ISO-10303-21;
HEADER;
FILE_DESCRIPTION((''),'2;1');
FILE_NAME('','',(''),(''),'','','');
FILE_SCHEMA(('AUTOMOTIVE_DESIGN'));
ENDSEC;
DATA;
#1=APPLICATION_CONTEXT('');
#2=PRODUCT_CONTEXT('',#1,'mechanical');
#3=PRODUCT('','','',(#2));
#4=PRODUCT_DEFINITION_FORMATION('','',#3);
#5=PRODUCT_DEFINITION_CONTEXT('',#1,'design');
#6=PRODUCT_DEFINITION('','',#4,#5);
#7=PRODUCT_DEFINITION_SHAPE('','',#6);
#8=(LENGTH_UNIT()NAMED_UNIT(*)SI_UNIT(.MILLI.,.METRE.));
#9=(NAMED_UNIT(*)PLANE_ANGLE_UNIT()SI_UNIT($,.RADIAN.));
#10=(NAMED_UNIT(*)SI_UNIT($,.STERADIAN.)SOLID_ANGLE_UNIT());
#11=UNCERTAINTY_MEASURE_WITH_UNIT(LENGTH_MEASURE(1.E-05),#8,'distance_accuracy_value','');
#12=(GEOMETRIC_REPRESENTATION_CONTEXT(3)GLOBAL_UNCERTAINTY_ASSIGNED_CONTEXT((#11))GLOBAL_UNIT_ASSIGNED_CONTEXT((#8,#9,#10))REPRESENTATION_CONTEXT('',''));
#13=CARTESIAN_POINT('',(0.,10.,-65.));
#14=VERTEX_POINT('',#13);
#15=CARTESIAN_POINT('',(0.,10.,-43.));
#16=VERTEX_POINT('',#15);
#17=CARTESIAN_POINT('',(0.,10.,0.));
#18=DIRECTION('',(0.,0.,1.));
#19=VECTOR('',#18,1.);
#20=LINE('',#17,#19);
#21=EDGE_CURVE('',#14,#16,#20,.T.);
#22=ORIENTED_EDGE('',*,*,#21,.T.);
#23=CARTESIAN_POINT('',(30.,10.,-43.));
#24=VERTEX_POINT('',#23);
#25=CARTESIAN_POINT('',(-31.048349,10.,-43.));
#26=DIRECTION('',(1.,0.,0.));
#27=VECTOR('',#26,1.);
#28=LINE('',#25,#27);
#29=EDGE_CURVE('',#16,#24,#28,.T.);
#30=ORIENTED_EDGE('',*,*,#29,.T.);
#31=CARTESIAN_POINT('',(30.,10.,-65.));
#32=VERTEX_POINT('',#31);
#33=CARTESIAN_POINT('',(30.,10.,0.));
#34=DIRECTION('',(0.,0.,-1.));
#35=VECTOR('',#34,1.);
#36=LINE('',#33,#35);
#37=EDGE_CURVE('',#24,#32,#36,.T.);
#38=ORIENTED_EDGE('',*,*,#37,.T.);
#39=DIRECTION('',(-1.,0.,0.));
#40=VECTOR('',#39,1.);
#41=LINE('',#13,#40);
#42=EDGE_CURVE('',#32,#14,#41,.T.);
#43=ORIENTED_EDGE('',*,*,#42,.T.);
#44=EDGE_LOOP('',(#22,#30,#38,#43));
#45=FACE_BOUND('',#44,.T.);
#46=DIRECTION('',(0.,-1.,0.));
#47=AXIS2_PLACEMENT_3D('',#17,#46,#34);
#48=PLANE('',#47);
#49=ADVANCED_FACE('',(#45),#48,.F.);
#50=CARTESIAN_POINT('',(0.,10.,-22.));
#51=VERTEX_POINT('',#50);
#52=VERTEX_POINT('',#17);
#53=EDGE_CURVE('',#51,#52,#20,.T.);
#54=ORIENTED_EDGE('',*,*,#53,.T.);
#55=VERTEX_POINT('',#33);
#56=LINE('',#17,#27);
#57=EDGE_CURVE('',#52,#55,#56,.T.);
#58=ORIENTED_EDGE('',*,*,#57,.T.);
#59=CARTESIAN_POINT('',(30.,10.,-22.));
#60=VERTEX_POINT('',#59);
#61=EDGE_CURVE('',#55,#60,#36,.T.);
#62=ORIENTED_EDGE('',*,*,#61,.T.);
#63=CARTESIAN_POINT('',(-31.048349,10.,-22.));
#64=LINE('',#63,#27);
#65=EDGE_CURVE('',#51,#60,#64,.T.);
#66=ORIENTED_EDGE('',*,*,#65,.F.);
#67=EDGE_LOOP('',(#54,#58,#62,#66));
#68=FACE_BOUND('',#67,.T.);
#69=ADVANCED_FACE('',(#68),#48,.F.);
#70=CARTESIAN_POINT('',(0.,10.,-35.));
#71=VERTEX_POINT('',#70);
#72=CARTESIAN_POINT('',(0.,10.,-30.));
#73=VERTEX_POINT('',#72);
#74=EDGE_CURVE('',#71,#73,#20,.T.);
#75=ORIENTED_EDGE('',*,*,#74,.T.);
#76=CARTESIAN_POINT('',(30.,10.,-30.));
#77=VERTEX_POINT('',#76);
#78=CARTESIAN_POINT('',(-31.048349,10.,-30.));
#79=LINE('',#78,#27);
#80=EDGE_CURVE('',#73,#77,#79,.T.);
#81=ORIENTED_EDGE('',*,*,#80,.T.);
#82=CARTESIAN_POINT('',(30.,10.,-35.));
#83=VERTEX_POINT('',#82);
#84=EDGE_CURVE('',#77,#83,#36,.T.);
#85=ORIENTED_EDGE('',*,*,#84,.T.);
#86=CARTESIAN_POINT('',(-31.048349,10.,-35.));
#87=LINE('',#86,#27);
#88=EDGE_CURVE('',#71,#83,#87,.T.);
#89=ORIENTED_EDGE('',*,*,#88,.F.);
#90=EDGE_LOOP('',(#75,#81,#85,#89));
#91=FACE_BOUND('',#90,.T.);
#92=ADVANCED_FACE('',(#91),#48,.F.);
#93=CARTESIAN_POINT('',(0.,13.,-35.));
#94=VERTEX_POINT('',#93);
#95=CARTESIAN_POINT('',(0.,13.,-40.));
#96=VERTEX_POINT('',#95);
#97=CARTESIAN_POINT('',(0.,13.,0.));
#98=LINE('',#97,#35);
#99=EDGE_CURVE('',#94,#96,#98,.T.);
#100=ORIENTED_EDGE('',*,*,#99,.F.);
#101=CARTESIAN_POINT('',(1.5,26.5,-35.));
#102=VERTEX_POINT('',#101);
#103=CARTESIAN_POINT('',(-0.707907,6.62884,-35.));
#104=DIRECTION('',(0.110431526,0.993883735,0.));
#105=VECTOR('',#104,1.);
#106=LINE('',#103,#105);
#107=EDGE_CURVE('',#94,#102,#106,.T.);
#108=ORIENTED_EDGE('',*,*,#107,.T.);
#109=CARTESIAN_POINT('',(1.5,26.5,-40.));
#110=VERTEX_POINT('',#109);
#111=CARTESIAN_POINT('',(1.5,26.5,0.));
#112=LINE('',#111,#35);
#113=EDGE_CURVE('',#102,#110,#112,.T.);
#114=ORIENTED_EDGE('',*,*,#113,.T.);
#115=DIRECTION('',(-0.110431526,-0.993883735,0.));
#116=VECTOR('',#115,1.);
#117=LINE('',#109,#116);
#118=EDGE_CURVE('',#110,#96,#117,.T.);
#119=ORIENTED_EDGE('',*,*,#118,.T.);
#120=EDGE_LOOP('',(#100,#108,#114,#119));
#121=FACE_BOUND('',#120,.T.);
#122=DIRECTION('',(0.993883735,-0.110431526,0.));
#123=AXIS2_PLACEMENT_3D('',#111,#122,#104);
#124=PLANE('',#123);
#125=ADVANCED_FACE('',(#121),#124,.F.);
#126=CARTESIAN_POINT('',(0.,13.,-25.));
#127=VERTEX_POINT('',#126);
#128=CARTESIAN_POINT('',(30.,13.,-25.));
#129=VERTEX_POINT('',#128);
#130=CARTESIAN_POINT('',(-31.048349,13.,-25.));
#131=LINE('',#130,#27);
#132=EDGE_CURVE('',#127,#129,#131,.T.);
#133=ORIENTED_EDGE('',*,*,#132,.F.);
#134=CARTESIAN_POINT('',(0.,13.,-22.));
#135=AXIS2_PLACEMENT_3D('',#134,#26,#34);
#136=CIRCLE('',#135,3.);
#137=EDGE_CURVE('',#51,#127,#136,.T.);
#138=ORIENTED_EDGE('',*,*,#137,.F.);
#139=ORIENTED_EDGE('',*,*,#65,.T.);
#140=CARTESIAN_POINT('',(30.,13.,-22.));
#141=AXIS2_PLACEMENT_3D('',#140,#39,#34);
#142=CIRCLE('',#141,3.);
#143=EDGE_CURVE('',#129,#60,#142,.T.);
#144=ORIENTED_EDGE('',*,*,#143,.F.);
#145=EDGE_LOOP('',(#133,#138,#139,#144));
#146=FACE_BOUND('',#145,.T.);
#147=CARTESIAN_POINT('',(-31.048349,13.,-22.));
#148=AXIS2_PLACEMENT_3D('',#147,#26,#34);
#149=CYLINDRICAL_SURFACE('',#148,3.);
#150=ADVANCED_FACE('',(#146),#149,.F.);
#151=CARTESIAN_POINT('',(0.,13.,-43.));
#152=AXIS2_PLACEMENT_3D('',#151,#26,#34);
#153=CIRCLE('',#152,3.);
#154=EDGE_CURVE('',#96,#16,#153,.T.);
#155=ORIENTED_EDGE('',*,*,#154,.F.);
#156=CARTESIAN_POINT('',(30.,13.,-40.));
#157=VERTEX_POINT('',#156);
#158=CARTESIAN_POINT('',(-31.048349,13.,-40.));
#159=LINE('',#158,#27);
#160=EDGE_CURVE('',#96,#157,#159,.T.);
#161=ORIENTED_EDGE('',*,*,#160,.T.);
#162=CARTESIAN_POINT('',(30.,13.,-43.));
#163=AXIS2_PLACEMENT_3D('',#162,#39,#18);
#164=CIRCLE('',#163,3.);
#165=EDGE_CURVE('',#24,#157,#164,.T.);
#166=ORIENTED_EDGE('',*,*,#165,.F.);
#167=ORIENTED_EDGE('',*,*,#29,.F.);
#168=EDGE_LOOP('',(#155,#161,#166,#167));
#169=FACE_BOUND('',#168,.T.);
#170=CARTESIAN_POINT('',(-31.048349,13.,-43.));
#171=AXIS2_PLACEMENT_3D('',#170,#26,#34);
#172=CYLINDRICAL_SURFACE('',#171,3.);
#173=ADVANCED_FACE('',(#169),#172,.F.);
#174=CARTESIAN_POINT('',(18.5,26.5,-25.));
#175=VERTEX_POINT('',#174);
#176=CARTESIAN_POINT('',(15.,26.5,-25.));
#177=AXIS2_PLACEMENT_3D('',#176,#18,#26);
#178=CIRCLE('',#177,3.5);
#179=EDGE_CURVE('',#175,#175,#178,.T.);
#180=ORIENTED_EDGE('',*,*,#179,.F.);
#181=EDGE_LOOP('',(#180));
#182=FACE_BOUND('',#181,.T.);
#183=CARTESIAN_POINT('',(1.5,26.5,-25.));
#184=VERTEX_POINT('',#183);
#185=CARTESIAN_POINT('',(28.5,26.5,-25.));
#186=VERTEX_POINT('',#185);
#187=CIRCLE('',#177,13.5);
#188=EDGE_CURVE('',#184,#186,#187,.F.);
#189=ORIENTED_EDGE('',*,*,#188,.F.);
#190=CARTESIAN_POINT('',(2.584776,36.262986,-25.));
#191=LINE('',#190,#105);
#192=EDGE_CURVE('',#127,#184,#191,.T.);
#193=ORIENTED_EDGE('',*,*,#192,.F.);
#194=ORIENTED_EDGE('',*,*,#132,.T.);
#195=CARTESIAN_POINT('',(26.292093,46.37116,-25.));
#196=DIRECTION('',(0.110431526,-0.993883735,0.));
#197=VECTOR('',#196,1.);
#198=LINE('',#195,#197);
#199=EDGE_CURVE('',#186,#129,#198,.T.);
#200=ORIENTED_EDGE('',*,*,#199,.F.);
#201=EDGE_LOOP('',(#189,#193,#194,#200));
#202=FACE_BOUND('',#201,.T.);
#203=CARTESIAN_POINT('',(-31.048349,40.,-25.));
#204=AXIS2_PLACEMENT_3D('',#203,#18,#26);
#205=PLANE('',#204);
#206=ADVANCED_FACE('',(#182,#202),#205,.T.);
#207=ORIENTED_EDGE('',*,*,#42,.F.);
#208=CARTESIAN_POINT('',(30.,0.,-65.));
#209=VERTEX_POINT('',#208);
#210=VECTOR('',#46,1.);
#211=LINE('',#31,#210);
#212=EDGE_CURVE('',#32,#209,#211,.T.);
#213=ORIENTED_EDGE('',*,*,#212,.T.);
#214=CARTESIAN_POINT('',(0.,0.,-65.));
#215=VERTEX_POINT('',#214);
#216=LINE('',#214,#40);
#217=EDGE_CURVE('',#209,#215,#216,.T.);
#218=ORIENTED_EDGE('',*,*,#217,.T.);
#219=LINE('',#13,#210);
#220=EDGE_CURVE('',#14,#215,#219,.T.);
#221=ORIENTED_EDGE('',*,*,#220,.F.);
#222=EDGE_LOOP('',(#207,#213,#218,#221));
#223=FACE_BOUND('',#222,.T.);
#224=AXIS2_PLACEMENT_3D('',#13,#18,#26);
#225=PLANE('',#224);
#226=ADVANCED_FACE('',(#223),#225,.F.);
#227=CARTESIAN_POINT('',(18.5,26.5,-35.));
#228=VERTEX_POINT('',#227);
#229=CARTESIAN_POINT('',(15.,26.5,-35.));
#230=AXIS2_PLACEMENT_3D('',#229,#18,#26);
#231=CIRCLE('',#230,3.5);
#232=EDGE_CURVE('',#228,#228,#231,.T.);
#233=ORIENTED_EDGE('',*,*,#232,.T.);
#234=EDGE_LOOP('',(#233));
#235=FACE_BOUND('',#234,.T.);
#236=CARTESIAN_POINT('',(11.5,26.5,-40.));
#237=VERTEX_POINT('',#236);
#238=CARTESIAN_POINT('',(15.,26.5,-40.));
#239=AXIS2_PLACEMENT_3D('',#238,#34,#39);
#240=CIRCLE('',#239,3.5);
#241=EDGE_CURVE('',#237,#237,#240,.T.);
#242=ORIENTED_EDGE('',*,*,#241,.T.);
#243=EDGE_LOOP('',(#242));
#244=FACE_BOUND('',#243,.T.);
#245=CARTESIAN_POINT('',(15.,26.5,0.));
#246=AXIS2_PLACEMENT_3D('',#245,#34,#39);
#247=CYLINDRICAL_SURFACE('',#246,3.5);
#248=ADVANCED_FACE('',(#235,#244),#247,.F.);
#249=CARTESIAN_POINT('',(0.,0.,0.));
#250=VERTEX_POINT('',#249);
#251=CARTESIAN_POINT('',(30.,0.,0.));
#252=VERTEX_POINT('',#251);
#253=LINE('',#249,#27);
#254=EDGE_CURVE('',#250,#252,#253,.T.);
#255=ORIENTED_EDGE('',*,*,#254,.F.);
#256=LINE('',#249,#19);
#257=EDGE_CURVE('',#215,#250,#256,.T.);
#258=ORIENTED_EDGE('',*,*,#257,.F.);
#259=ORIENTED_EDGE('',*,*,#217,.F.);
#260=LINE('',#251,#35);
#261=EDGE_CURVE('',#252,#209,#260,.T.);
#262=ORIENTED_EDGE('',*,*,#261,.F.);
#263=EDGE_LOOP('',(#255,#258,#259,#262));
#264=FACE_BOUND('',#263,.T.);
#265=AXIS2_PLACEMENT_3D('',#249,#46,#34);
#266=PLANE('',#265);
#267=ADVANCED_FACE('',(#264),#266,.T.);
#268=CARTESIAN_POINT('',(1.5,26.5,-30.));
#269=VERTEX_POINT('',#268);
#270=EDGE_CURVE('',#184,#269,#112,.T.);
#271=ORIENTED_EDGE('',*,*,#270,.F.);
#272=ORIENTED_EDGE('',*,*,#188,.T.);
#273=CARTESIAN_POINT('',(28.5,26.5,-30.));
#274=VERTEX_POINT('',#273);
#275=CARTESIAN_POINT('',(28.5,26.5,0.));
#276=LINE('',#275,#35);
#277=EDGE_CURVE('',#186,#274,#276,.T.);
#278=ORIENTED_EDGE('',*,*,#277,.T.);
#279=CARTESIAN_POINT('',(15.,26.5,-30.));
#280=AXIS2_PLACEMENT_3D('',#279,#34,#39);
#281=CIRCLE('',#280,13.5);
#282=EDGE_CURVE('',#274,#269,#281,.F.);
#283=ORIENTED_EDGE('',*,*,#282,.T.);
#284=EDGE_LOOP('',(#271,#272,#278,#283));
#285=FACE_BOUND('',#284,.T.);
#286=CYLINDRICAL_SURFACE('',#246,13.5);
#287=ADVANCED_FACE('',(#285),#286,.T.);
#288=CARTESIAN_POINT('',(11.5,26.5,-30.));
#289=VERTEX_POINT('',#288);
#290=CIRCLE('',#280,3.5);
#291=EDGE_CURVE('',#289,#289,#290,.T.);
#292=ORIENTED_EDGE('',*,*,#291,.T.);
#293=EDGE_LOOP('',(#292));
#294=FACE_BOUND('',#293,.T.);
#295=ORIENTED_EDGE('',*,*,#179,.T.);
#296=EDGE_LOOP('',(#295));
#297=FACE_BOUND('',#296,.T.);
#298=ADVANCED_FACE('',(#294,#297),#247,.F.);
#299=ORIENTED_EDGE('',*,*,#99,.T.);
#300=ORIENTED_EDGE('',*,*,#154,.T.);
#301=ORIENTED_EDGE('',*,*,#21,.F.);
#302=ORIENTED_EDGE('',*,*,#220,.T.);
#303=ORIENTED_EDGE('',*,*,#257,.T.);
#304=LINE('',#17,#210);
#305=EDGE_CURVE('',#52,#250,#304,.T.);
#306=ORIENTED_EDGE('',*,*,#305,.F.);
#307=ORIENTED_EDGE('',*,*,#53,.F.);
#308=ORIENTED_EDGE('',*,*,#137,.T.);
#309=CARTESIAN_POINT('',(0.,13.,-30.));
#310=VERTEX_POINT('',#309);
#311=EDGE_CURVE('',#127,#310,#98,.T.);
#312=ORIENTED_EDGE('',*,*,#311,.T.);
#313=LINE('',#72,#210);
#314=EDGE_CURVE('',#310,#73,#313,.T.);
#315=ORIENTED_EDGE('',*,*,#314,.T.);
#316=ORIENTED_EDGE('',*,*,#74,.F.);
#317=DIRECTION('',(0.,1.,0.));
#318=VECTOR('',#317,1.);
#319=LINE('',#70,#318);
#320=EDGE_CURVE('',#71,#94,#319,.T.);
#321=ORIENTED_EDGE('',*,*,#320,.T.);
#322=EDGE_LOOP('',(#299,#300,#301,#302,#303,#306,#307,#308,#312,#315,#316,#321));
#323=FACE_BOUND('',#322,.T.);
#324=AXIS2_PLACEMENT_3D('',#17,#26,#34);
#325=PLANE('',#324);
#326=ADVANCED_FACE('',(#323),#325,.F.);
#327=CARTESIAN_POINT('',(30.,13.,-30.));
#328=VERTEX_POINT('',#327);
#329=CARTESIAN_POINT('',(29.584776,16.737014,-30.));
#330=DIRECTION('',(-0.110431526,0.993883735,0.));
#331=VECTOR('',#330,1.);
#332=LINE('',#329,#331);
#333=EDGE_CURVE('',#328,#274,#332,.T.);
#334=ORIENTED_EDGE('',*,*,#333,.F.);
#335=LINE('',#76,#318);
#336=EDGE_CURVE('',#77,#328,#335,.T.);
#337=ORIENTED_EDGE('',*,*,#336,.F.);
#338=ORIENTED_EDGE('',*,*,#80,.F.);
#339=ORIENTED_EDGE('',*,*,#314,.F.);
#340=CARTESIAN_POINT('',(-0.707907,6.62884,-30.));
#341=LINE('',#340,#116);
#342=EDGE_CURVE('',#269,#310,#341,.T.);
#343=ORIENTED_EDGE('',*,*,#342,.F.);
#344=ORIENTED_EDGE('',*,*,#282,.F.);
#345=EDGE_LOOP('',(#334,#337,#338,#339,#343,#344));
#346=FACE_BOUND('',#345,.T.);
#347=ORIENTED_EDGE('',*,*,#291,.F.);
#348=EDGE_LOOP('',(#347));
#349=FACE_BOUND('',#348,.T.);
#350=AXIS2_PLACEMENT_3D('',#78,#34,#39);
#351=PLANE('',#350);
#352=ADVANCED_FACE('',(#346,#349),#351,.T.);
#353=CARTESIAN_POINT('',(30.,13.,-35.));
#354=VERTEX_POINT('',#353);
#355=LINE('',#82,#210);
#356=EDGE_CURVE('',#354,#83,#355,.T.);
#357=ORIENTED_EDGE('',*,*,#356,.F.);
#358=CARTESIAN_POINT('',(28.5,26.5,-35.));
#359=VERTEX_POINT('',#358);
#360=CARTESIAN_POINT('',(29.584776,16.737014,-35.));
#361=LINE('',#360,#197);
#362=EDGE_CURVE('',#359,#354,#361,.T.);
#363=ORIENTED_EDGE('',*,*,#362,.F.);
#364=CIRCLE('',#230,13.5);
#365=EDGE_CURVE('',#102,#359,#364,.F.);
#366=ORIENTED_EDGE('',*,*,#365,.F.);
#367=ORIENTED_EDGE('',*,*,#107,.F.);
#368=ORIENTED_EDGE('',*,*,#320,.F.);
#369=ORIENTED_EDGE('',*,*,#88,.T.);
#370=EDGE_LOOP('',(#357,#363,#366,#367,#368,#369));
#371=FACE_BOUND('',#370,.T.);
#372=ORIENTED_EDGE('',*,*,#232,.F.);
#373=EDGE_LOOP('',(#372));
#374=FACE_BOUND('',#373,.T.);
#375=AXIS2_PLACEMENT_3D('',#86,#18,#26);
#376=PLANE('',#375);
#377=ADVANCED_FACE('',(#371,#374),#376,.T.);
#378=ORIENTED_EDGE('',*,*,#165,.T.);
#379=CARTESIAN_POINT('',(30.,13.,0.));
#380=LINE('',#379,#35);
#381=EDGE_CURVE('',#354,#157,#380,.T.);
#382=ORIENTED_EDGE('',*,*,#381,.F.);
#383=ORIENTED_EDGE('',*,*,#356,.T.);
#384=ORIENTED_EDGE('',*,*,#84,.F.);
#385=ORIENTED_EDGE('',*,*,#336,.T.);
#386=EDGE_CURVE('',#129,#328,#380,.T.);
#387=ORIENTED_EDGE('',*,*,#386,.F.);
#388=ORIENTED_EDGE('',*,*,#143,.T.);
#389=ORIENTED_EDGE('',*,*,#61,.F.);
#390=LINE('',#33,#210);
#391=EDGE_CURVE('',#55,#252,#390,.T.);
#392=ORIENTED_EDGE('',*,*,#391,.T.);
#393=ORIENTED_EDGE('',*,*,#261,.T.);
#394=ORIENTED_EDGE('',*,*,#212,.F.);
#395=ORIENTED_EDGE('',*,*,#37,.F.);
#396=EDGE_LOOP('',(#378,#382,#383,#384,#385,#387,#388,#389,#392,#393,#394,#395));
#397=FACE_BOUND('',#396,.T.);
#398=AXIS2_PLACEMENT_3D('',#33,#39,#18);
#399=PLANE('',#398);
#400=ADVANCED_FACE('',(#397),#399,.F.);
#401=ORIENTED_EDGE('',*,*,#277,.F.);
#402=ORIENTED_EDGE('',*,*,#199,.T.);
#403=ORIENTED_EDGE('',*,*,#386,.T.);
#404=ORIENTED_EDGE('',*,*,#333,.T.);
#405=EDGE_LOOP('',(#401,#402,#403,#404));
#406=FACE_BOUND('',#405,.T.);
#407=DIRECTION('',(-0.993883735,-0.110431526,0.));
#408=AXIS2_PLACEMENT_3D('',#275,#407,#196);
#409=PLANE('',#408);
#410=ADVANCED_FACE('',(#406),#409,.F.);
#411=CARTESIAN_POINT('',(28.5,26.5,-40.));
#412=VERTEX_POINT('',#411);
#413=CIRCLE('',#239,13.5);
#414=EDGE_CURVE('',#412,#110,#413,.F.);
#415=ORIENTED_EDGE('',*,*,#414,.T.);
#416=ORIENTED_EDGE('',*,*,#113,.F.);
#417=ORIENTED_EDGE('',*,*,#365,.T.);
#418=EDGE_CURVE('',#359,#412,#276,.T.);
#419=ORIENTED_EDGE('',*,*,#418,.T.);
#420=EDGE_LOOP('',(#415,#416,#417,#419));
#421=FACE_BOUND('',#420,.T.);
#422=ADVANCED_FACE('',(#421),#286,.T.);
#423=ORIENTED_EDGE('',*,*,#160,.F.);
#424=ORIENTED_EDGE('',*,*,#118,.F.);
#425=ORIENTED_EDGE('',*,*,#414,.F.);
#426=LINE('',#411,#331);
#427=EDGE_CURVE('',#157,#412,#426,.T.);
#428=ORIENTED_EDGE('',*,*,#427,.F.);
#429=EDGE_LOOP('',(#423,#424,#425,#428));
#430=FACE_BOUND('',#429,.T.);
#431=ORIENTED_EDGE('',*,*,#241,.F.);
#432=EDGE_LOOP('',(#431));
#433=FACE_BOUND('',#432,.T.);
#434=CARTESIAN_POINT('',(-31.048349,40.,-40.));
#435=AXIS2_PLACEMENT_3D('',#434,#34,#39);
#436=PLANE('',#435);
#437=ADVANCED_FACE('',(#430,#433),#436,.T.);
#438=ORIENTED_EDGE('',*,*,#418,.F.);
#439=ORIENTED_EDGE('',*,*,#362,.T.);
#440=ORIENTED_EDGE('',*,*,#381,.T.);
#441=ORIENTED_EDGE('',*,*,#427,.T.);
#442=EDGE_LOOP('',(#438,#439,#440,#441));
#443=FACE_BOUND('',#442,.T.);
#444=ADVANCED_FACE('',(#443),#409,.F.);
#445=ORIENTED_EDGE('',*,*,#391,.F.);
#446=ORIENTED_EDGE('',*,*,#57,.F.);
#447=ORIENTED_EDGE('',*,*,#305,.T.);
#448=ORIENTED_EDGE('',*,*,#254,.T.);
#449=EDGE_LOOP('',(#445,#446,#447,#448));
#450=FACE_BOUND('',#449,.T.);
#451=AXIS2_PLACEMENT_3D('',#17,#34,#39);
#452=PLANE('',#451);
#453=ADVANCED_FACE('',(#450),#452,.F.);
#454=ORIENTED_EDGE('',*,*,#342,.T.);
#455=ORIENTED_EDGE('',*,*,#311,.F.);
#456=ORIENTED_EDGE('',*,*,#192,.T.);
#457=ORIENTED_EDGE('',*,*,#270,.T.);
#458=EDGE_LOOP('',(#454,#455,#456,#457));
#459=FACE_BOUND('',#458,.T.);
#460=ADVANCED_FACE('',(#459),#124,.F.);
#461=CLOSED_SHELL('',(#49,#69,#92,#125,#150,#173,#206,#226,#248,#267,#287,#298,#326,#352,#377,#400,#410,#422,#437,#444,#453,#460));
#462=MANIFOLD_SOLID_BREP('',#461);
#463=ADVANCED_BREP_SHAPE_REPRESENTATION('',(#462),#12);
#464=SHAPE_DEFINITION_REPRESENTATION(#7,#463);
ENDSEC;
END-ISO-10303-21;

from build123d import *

# Parameters (mm, degrees)
SKETCH2_W           = 30
SKETCH2_H           = 65
BOSS_EXTRUDE1_DEPTH = 10
BOSS_EXTRUDE2_DEPTH = 30
CUT_EXTRUDE1_DEPTH  = 65.031242374
SKETCH6_R           = 3.5
CUT_EXTRUDE2_DEPTH  = 65.031242374


with BuildPart() as part:
    # Sketch2 → Boss-Extrude1 (new body)
    with BuildSketch(Plane(origin=(0, 0, 0), x_dir=(1, 0, 0), z_dir=(0, 1, 0))):
        with Locations((15, 32.5)):
            Rectangle(SKETCH2_W, SKETCH2_H)
    extrude(amount=BOSS_EXTRUDE1_DEPTH)

    # Sketch4 → Boss-Extrude2 (add)
    with BuildSketch(Plane(origin=(30, 0, 0), x_dir=(0, 0, -1), z_dir=(1, 0, 0))):
        with BuildLine():
            Line((30, 10), (30, 40))
            Line((30, 40), (25, 40))
            Line((25, 40), (25, 13))
            ThreePointArc((25, 13), (24.121320344, 10.878679656), (22, 10))
            Line((22, 10), (30, 10))
        make_face()
        with BuildLine():
            Line((43, 10), (35, 10))
            Line((35, 10), (35, 40))
            Line((35, 40), (40, 40))
            Line((40, 40), (40, 13))
            ThreePointArc((40, 13), (40.878679656, 10.878679656), (43, 10))
        make_face()
    extrude(amount=-BOSS_EXTRUDE2_DEPTH)

    # Sketch5 → Cut-Extrude1 (cut, through all)
    with BuildSketch(Plane(origin=(0, 0, -40), x_dir=(-1, 0, 0), z_dir=(0, 0, -1))):
        with BuildLine():
            Line((0, 13), (0, 40))
            Line((0, 40), (0, 41.88167297))
            Line((0, 41.88167297), (-30, 41.88167297))
            Line((-30, 41.88167297), (-30, 40))
            Line((-30, 40), (-30, 13))
            Line((-30, 13), (-28.5, 26.5))
            ThreePointArc((-28.5, 26.5), (-15, 40), (-1.5, 26.5))
            Line((-1.5, 26.5), (0, 13))
        make_face()
    extrude(amount=-CUT_EXTRUDE1_DEPTH, mode=Mode.SUBTRACT)

    # Sketch6 → Cut-Extrude2 (cut, through all)
    with BuildSketch(Plane(origin=(0, 0, -40), x_dir=(-1, 0, 0), z_dir=(0, 0, -1))):
        with Locations((-15, 26.5)):
            Circle(SKETCH6_R)
    extrude(amount=-CUT_EXTRUDE2_DEPTH, mode=Mode.SUBTRACT)


solid = part.part
